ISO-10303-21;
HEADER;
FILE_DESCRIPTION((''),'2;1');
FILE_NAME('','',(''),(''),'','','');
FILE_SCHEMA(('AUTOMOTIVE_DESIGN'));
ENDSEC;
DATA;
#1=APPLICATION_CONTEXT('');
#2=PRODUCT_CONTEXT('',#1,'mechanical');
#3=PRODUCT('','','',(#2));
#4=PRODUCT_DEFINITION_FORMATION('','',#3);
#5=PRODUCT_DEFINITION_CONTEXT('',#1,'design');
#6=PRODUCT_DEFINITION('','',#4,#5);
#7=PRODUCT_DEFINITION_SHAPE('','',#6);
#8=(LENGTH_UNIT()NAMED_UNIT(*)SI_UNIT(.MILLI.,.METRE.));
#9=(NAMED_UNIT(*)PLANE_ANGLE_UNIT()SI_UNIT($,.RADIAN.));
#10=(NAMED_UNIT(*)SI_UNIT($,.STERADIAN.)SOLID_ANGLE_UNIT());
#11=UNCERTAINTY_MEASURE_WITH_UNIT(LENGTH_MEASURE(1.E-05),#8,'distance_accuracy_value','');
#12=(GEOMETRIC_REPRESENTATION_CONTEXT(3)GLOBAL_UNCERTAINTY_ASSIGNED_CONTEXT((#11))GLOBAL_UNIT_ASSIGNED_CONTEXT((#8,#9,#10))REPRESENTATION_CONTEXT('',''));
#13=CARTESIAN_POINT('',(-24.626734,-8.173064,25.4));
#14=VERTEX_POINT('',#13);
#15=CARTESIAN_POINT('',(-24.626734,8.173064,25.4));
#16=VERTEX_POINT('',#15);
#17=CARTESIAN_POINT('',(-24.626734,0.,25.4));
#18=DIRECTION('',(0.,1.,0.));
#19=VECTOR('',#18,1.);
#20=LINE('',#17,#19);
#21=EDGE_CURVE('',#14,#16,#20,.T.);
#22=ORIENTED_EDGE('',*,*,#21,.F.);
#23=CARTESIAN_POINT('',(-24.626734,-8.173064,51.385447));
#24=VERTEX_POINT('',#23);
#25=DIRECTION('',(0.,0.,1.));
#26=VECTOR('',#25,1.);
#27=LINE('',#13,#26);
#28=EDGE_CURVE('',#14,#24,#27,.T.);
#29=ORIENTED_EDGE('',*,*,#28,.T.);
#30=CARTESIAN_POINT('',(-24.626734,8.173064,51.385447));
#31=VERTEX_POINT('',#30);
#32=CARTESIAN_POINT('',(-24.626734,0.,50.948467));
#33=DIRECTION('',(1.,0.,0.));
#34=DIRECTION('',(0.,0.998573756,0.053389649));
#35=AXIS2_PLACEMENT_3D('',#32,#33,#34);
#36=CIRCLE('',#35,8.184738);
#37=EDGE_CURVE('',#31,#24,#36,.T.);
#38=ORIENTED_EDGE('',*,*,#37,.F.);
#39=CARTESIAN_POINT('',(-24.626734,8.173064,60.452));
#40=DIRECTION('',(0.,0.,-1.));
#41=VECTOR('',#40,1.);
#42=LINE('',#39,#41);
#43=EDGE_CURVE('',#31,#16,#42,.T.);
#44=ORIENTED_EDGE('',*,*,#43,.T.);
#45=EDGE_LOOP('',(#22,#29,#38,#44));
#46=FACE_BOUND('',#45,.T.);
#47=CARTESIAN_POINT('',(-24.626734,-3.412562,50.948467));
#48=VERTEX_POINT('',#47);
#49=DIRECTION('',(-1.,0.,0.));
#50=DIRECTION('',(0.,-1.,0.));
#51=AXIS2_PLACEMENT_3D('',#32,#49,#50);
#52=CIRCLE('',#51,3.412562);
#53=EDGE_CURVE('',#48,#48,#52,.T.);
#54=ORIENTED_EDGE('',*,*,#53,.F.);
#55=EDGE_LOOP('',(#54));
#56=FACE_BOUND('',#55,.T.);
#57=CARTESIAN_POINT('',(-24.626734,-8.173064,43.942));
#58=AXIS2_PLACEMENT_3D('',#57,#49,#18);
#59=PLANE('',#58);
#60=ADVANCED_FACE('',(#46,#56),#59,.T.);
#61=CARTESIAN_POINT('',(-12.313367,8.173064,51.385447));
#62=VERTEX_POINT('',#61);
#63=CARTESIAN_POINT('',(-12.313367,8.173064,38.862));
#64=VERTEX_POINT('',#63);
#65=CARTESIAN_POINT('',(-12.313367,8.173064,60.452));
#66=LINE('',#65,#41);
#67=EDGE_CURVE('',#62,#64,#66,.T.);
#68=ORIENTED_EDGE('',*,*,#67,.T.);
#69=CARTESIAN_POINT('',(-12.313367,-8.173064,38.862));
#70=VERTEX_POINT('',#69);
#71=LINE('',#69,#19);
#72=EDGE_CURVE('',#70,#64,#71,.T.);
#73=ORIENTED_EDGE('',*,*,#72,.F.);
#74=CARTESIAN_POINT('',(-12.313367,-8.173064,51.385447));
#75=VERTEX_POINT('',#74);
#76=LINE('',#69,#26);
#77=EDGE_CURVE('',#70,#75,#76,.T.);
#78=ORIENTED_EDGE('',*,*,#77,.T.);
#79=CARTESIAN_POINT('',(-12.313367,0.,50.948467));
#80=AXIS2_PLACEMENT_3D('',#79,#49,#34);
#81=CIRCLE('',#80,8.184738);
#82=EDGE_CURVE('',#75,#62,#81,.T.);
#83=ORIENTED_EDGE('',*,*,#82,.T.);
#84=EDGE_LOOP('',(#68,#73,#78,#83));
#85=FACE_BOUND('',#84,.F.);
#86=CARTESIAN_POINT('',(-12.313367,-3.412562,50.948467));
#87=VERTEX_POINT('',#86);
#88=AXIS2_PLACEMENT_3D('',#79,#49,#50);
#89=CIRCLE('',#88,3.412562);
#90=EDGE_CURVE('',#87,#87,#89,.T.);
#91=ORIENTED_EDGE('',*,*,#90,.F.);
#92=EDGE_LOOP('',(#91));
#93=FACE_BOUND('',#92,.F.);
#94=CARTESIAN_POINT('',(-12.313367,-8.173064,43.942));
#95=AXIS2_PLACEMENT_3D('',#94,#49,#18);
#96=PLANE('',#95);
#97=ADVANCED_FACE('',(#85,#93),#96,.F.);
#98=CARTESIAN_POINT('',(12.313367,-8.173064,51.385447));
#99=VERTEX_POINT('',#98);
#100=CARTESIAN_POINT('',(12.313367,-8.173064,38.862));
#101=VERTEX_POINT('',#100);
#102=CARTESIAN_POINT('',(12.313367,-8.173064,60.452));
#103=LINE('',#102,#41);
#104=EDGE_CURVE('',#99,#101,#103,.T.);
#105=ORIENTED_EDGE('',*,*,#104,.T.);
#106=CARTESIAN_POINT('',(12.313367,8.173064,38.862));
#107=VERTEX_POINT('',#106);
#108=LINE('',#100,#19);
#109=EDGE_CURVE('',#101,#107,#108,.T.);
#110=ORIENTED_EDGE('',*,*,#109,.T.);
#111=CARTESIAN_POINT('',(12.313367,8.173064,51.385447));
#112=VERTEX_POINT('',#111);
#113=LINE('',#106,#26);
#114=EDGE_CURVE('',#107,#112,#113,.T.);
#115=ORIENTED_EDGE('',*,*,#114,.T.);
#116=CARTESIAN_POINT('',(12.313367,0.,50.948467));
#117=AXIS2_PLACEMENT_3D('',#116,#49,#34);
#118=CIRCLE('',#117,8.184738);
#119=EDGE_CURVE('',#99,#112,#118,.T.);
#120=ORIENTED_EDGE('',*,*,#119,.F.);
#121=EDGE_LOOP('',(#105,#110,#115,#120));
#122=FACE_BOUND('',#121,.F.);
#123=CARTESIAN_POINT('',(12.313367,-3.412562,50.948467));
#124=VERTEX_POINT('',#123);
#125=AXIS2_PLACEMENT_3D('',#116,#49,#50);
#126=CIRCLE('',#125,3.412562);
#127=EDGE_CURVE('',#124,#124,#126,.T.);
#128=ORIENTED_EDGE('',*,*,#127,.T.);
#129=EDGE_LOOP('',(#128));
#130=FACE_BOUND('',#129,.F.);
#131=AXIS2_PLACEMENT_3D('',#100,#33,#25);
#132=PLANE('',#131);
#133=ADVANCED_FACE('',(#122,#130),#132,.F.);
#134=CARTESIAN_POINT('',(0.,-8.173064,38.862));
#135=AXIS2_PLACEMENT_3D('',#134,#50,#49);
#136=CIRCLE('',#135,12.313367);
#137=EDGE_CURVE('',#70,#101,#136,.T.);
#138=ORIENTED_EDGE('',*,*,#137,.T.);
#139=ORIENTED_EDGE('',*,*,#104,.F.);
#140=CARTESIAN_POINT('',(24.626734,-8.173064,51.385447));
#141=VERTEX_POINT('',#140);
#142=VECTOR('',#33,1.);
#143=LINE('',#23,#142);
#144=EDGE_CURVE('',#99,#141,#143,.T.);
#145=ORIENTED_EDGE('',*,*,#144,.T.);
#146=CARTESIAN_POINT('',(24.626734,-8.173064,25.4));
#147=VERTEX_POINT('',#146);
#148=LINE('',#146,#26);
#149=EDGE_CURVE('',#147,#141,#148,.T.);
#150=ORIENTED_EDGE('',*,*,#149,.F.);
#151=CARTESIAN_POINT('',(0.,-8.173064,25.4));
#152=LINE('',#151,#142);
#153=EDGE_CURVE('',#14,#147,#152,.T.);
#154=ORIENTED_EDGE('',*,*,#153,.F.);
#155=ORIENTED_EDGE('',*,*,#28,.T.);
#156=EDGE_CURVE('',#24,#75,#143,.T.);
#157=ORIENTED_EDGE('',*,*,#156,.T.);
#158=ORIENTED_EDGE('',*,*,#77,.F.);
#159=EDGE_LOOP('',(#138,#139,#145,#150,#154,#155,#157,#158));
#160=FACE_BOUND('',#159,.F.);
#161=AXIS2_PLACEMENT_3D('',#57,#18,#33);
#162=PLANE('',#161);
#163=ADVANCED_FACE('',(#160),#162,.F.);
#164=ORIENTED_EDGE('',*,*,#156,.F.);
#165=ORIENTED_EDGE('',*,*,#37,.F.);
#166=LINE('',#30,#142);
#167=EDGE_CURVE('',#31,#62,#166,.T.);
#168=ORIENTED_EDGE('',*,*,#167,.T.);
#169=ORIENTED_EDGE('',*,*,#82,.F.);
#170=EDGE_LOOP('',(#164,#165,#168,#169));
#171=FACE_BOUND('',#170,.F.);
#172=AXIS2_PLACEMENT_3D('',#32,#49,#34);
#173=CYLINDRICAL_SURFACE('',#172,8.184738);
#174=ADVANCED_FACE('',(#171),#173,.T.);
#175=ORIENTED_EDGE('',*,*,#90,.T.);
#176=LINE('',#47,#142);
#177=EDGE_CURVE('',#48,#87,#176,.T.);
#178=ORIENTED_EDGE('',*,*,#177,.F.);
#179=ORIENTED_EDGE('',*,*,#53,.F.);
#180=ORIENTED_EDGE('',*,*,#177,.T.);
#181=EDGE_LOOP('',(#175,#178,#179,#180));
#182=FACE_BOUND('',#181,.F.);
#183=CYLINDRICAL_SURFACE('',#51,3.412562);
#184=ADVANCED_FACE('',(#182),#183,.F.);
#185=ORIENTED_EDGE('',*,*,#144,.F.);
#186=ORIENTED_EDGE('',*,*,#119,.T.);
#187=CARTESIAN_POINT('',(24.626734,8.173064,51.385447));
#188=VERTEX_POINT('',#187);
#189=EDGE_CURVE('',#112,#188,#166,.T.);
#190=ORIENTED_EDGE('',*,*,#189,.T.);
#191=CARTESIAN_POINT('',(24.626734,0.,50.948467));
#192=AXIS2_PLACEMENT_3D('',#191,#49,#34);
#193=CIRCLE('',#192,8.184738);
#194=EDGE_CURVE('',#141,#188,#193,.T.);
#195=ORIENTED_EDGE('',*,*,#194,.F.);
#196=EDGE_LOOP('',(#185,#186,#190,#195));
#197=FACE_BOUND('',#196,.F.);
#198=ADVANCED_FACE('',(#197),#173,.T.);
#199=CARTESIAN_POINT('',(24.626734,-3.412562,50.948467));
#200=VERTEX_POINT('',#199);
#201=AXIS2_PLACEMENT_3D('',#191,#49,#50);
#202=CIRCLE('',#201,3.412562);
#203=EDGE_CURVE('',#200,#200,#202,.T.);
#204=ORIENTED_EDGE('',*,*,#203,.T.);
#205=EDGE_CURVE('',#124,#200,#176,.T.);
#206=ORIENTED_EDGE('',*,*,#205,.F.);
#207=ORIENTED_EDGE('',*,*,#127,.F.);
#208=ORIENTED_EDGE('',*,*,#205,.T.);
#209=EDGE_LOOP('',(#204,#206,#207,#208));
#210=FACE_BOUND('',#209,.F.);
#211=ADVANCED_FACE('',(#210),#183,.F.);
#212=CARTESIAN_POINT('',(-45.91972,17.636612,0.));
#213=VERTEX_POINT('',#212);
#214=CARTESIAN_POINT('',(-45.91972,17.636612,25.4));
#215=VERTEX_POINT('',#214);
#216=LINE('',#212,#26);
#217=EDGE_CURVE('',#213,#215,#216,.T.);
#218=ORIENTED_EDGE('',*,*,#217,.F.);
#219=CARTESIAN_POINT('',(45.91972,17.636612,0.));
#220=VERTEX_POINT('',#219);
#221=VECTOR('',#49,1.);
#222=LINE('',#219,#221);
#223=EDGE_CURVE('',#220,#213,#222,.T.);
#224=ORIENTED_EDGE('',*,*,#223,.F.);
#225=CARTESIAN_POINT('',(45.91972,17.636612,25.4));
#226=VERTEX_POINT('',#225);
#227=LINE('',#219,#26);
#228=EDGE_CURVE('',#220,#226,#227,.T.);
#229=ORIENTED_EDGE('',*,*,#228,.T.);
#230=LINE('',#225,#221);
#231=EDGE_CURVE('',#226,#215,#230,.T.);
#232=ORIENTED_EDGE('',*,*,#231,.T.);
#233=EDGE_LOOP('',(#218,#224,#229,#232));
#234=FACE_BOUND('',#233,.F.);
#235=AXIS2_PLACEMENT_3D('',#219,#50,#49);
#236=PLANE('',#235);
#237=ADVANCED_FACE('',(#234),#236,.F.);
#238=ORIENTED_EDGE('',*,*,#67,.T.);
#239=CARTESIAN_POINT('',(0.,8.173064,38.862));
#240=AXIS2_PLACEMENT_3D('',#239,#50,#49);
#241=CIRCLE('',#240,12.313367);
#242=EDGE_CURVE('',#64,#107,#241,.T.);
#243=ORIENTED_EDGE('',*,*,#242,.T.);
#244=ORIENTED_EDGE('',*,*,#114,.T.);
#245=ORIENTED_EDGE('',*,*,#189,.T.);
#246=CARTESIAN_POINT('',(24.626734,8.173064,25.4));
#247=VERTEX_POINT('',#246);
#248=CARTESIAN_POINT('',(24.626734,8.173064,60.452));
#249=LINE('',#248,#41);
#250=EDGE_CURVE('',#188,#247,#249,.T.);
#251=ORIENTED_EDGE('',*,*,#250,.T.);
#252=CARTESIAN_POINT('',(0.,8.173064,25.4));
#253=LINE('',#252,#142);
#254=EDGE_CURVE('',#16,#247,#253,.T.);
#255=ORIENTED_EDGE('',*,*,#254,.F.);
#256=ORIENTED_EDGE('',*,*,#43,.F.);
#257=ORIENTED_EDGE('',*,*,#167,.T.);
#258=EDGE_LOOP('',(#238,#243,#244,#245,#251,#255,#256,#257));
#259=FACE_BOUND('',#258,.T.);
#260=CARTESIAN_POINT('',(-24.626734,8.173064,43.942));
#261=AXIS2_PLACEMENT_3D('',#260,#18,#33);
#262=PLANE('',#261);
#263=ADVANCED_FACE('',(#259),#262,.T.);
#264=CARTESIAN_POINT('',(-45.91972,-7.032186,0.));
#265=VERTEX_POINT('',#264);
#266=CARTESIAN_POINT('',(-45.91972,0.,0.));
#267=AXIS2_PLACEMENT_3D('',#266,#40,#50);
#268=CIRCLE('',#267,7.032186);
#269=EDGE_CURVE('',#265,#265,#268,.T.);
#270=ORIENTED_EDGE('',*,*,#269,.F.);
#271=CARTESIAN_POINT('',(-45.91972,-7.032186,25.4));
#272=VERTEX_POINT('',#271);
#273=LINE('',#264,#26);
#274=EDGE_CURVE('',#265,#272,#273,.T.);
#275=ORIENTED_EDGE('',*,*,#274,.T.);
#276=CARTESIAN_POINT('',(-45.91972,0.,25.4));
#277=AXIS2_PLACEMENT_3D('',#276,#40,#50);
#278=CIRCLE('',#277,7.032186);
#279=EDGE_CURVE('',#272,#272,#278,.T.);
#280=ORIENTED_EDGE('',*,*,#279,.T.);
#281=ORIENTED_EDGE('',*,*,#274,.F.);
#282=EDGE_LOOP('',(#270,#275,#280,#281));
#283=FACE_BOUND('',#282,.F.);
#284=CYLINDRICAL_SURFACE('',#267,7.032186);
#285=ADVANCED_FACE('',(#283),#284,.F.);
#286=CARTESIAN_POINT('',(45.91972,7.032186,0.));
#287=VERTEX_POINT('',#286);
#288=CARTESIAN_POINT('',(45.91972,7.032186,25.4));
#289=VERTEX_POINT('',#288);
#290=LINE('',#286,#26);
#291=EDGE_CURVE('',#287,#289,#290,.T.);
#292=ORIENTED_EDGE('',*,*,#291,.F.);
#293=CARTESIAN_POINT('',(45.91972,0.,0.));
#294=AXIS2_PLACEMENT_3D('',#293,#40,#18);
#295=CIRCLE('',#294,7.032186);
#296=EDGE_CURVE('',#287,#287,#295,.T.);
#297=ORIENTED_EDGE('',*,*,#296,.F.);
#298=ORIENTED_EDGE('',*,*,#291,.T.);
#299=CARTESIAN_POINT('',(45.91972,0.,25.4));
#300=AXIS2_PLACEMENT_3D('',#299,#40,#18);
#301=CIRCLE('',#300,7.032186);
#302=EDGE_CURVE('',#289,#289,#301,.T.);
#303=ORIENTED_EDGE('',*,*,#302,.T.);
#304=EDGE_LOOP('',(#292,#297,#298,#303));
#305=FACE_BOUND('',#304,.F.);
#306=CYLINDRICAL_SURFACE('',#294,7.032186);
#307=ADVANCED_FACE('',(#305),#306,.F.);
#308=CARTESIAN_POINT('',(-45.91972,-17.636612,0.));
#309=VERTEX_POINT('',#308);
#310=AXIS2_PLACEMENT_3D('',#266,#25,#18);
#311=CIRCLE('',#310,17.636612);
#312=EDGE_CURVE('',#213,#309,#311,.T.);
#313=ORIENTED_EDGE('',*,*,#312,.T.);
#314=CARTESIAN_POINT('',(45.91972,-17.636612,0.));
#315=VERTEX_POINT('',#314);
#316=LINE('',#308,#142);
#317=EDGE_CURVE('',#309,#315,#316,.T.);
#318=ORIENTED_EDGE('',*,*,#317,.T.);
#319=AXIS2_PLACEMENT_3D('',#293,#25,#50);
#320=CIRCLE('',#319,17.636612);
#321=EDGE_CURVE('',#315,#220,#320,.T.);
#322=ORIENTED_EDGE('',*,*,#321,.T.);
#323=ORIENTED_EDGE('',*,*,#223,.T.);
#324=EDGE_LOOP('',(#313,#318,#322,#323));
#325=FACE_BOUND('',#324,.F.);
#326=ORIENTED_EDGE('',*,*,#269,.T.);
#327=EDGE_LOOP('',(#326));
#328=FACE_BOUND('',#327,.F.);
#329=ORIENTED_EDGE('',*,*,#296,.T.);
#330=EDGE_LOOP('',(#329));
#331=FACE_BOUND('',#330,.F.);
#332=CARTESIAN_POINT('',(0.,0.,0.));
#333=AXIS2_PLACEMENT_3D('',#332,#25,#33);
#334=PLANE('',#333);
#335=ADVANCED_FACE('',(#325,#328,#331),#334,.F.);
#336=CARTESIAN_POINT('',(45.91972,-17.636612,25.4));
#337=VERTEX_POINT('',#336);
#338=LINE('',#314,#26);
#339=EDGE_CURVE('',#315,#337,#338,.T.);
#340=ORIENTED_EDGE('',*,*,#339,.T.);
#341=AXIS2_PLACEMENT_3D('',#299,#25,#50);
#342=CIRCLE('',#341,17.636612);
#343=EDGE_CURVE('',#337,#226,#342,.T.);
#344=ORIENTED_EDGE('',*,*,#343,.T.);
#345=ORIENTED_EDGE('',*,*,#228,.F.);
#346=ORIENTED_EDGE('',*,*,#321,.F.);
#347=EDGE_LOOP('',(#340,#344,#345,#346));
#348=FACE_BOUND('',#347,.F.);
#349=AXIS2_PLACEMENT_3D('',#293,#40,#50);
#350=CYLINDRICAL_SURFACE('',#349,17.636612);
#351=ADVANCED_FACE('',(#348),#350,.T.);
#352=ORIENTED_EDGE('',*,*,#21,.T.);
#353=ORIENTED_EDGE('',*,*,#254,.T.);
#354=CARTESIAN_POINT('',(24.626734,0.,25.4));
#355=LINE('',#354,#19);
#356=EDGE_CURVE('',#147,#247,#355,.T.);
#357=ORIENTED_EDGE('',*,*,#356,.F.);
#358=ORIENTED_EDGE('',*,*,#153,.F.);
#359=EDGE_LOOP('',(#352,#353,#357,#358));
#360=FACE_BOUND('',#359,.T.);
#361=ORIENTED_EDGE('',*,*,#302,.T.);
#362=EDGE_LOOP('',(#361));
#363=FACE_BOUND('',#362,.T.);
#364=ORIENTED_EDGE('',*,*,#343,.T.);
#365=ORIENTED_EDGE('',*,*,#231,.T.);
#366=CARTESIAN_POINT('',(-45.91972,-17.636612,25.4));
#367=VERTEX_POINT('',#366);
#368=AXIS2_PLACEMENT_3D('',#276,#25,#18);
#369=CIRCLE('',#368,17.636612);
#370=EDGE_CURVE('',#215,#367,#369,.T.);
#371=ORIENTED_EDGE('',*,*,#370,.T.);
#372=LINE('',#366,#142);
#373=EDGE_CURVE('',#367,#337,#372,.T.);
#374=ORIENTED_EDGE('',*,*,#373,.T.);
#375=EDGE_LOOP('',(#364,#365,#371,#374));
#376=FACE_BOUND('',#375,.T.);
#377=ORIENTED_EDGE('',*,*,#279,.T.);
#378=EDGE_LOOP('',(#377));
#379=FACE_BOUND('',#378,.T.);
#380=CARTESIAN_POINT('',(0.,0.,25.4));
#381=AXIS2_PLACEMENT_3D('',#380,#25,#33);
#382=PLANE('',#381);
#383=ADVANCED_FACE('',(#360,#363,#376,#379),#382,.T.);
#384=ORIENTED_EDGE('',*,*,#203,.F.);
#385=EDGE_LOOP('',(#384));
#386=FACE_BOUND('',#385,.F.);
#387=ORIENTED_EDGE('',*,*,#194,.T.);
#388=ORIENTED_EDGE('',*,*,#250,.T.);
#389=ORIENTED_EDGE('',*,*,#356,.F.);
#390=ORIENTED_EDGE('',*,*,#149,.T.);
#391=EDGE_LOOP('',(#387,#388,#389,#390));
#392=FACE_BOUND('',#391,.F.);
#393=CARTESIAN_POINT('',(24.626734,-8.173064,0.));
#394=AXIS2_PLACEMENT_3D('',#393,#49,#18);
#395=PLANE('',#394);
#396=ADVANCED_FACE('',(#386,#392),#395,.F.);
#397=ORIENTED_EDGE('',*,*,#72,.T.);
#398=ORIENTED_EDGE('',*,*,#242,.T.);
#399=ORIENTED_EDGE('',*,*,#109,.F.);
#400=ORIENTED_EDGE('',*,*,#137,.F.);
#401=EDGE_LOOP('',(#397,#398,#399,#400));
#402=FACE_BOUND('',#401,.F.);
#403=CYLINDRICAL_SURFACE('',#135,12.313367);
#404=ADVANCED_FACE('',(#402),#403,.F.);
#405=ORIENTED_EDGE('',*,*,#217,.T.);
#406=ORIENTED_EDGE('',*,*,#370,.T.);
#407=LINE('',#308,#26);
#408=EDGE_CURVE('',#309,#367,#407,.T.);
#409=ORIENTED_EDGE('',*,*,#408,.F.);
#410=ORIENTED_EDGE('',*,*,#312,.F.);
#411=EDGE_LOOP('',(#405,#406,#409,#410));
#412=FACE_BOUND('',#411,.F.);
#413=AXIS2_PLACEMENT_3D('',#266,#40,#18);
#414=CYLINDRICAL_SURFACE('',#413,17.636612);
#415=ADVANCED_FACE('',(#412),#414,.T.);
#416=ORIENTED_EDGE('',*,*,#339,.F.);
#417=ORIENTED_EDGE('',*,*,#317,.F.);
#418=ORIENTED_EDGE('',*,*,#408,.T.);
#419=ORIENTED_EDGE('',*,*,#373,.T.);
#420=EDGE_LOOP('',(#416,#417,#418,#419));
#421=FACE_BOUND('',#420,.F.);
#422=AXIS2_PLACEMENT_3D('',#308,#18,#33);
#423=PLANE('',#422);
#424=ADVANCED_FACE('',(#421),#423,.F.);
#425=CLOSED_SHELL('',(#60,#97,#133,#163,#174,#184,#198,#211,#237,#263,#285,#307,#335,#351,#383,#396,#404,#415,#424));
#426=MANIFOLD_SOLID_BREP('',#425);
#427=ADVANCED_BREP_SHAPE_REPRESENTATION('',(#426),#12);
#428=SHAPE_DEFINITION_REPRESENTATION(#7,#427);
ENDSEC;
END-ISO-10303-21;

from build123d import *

# Parameters (mm, degrees)
F0_W     = 49.2534674704
F0_H     = 16.3461286575
F1_DEPTH = 25.4
F2_DEPTH = 43.942
F4_DEPTH = 25.4
F5_DEPTH = 16.51
F7_DEPTH = 78.486
F8_R     = 3.4125622967
F9_DEPTH = 57.15


with BuildPart() as f1:
    # F0 (on Top) → F1 (new body)
    with BuildSketch(Plane.XY):
        with BuildLine():
            Line((45.9197200835, 7.0321863355), (45.9197200835, 17.6366120577))
            Line((45.9197200835, 17.6366120577), (-45.9197200835, 17.6366120577))
            Line((-45.9197200835, 17.6366120577), (-45.9197200835, 7.0321863355))
            ThreePointArc((-45.9197200835, 7.0321863355), (-40.9472134391, 4.9725066444), (-38.887533748, 0))
            ThreePointArc((-38.887533748, 0), (-40.9472134391, -4.9725066444), (-45.9197200835, -7.0321863355))
            Line((-45.9197200835, -7.0321863355), (-45.9197200835, -17.6366120577))
            Line((-45.9197200835, -17.6366120577), (45.9197200835, -17.6366120577))
            Line((45.9197200835, -17.6366120577), (45.9197200835, -7.0321863355))
            ThreePointArc((45.9197200835, -7.0321863355), (38.887533748, 0), (45.9197200835, 7.0321863355))
        make_face()
        Rectangle(F0_W, F0_H, mode=Mode.SUBTRACT)
        with BuildLine():
            ThreePointArc((45.9197200835, -17.6366120577), (63.5563321412, 0), (45.9197200835, 17.6366120577))
            Line((45.9197200835, 17.6366120577), (45.9197200835, 7.0321863355))
            ThreePointArc((45.9197200835, 7.0321863355), (50.8922267279, 4.9725066444), (52.951906419, 0))
            ThreePointArc((52.951906419, 0), (50.8922267279, -4.9725066444), (45.9197200835, -7.0321863355))
            Line((45.9197200835, -7.0321863355), (45.9197200835, -17.6366120577))
        make_face()
        with BuildLine():
            Line((-45.9197200835, 7.0321863355), (-45.9197200835, 17.6366120577))
            ThreePointArc((-45.9197200835, 17.6366120577), (-63.5563321412, 0), (-45.9197200835, -17.6366120577))
            Line((-45.9197200835, -17.6366120577), (-45.9197200835, -7.0321863355))
            ThreePointArc((-45.9197200835, -7.0321863355), (-52.951906419, 0), (-45.9197200835, 7.0321863355))
        make_face()
    extrude(amount=F1_DEPTH)

    # F0 (on Top) → F2 (join)
    with BuildSketch(Plane.XY):
        Rectangle(F0_W, F0_H)
    extrude(amount=F2_DEPTH)

    # F3 (on face) → F4 (cut)
    with BuildSketch(Plane.XZ.offset(8.1730643287)):
        with BuildLine():
            Line((0, 43.942), (-12.3133668676, 43.942))
            Line((-12.3133668676, 43.942), (-12.3133668676, 38.862))
            ThreePointArc((-12.3133668676, 38.862), (0, 26.5486331324), (12.3133668676, 38.862))
            Line((12.3133668676, 38.862), (12.3133668676, 43.942))
            Line((12.3133668676, 43.942), (0, 43.942))
        make_face()
    extrude(amount=-F4_DEPTH, mode=Mode.SUBTRACT)

    # F5 (add): faces of the model
    f5_faces = [f1.faces().sort_by_distance(p)[0] for p in [
        (-18.4700503014, 0, 43.942),
        (18.4700503014, 0, 43.942),
    ]]
    extrude(f5_faces, amount=F5_DEPTH)

    # F6 (on face) → F7 (cut)
    with BuildSketch(Plane(origin=(-24.6267337352, 0, 0), x_dir=(0, -1, 0), z_dir=(-1, 0, 0))):
        with BuildLine():
            ThreePointArc((-8.1730643287, 51.3854473829), (0, 59.1332048708), (8.1730643287, 51.3854473829))
            Line((8.1730643287, 51.3854473829), (8.1730643287, 60.452))
            Line((8.1730643287, 60.452), (-8.1730643287, 60.452))
            Line((-8.1730643287, 60.452), (-8.1730643287, 51.3854473829))
        make_face()
    extrude(amount=-F7_DEPTH, mode=Mode.SUBTRACT)

    # F8 (on face) → F9 (cut)
    with BuildSketch(Plane(origin=(-24.6267337352, 0, 0), x_dir=(0, -1, 0), z_dir=(-1, 0, 0))):
        with Locations((0, 50.9484671056)):
            Circle(F8_R)
    extrude(amount=-F9_DEPTH, mode=Mode.SUBTRACT)


solid = f1.part
